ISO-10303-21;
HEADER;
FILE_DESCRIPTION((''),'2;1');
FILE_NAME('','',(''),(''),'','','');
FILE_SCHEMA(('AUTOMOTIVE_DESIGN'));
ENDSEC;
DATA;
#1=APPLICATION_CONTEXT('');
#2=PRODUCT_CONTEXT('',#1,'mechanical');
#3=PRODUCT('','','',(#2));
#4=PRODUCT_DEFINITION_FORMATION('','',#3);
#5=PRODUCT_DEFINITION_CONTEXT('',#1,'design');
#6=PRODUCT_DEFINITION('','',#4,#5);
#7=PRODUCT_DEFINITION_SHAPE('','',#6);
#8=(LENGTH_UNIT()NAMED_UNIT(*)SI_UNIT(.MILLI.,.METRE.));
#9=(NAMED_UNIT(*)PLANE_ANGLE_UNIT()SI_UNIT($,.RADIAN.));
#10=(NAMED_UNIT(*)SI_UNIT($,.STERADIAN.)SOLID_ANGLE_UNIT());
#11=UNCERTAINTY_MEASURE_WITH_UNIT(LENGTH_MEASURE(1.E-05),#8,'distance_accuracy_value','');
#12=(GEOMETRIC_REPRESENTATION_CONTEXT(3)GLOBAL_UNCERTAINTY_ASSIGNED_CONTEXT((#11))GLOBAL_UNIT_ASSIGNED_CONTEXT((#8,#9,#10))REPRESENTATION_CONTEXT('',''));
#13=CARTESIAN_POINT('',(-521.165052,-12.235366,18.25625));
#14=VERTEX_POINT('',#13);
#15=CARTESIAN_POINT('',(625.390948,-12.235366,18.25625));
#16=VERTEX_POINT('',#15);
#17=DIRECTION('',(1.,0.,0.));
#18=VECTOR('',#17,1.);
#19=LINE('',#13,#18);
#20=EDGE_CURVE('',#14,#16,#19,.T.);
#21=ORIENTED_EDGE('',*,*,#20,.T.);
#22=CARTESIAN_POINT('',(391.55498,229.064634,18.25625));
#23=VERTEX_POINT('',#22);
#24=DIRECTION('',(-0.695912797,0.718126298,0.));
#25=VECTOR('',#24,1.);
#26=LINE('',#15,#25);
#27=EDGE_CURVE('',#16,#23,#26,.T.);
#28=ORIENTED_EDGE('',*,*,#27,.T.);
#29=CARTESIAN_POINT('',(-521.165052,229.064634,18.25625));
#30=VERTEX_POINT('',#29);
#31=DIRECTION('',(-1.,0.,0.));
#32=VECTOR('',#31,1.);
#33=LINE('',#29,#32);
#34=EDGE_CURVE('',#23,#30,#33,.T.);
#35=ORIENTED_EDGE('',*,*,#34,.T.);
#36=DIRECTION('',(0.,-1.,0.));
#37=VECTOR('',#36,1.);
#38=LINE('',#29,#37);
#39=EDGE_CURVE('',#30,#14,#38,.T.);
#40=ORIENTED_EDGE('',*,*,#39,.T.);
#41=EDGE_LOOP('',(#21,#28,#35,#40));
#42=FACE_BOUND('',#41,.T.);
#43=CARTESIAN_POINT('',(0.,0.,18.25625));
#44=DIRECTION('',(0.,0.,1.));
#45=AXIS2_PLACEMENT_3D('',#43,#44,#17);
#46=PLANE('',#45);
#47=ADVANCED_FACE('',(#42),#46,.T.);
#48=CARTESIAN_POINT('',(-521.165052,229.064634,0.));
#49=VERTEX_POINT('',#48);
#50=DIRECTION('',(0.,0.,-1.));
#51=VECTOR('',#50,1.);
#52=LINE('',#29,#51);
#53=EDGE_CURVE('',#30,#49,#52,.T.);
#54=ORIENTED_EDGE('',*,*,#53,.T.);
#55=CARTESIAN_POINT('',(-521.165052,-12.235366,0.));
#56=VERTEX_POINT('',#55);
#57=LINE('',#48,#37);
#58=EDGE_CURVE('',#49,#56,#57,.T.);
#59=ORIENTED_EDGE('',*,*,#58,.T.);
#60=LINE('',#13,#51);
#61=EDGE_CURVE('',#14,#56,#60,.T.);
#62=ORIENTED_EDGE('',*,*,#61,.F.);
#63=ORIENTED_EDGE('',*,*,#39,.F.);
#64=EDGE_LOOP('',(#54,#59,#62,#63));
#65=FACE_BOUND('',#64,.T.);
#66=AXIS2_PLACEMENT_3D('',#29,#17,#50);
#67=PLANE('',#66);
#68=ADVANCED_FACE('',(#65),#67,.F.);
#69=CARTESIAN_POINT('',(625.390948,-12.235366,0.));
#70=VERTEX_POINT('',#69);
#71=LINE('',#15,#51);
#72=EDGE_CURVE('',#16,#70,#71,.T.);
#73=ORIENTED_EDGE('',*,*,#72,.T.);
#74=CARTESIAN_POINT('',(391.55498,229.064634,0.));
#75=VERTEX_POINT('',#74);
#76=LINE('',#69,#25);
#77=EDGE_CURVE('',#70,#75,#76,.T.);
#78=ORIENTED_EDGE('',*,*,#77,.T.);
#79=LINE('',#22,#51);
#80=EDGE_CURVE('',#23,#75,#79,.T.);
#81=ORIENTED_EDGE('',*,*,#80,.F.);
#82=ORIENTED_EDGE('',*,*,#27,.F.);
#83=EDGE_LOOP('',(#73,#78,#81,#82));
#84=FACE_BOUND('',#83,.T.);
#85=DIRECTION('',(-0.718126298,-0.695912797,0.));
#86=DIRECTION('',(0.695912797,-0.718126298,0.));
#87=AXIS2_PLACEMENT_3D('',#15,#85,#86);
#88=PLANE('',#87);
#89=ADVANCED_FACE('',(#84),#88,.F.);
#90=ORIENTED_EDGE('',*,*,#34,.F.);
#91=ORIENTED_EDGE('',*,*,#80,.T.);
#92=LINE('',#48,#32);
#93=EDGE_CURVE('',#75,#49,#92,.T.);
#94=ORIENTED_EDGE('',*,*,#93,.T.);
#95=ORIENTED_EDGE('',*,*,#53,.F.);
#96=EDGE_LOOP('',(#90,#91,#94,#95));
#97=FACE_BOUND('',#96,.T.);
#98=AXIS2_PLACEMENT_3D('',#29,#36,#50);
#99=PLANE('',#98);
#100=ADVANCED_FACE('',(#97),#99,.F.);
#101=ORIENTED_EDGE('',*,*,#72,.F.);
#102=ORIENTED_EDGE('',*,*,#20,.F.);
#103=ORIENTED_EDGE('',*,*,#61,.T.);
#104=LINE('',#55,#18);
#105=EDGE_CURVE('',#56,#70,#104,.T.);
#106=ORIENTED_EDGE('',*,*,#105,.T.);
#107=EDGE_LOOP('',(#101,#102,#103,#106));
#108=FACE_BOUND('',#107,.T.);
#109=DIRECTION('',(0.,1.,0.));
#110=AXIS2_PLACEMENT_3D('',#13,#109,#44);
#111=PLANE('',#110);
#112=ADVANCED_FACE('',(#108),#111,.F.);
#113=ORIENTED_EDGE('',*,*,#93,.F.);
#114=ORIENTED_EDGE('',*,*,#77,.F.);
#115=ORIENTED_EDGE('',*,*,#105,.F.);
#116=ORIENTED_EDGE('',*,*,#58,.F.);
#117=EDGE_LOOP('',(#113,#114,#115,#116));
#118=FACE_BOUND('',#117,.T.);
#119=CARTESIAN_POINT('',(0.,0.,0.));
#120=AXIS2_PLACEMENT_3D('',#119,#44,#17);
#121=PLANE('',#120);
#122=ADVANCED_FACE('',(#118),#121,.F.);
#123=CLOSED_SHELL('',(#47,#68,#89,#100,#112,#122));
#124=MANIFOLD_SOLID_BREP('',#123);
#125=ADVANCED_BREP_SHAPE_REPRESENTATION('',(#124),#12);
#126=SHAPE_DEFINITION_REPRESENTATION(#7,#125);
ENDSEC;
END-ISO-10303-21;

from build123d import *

# Parameters (mm, degrees)
BOSS_EXTRUDE1_DEPTH = 18.25625


with BuildPart() as part:
    # Sketch1 → Boss-Extrude1 (new body)
    with BuildSketch(Plane.XY):
        Polygon((625.390948017, -12.235365854), (391.554980248, 229.064634146), (-521.165051983, 229.064634146), (-521.165051983, -12.235365854), align=None)
    extrude(amount=BOSS_EXTRUDE1_DEPTH)


solid = part.part
